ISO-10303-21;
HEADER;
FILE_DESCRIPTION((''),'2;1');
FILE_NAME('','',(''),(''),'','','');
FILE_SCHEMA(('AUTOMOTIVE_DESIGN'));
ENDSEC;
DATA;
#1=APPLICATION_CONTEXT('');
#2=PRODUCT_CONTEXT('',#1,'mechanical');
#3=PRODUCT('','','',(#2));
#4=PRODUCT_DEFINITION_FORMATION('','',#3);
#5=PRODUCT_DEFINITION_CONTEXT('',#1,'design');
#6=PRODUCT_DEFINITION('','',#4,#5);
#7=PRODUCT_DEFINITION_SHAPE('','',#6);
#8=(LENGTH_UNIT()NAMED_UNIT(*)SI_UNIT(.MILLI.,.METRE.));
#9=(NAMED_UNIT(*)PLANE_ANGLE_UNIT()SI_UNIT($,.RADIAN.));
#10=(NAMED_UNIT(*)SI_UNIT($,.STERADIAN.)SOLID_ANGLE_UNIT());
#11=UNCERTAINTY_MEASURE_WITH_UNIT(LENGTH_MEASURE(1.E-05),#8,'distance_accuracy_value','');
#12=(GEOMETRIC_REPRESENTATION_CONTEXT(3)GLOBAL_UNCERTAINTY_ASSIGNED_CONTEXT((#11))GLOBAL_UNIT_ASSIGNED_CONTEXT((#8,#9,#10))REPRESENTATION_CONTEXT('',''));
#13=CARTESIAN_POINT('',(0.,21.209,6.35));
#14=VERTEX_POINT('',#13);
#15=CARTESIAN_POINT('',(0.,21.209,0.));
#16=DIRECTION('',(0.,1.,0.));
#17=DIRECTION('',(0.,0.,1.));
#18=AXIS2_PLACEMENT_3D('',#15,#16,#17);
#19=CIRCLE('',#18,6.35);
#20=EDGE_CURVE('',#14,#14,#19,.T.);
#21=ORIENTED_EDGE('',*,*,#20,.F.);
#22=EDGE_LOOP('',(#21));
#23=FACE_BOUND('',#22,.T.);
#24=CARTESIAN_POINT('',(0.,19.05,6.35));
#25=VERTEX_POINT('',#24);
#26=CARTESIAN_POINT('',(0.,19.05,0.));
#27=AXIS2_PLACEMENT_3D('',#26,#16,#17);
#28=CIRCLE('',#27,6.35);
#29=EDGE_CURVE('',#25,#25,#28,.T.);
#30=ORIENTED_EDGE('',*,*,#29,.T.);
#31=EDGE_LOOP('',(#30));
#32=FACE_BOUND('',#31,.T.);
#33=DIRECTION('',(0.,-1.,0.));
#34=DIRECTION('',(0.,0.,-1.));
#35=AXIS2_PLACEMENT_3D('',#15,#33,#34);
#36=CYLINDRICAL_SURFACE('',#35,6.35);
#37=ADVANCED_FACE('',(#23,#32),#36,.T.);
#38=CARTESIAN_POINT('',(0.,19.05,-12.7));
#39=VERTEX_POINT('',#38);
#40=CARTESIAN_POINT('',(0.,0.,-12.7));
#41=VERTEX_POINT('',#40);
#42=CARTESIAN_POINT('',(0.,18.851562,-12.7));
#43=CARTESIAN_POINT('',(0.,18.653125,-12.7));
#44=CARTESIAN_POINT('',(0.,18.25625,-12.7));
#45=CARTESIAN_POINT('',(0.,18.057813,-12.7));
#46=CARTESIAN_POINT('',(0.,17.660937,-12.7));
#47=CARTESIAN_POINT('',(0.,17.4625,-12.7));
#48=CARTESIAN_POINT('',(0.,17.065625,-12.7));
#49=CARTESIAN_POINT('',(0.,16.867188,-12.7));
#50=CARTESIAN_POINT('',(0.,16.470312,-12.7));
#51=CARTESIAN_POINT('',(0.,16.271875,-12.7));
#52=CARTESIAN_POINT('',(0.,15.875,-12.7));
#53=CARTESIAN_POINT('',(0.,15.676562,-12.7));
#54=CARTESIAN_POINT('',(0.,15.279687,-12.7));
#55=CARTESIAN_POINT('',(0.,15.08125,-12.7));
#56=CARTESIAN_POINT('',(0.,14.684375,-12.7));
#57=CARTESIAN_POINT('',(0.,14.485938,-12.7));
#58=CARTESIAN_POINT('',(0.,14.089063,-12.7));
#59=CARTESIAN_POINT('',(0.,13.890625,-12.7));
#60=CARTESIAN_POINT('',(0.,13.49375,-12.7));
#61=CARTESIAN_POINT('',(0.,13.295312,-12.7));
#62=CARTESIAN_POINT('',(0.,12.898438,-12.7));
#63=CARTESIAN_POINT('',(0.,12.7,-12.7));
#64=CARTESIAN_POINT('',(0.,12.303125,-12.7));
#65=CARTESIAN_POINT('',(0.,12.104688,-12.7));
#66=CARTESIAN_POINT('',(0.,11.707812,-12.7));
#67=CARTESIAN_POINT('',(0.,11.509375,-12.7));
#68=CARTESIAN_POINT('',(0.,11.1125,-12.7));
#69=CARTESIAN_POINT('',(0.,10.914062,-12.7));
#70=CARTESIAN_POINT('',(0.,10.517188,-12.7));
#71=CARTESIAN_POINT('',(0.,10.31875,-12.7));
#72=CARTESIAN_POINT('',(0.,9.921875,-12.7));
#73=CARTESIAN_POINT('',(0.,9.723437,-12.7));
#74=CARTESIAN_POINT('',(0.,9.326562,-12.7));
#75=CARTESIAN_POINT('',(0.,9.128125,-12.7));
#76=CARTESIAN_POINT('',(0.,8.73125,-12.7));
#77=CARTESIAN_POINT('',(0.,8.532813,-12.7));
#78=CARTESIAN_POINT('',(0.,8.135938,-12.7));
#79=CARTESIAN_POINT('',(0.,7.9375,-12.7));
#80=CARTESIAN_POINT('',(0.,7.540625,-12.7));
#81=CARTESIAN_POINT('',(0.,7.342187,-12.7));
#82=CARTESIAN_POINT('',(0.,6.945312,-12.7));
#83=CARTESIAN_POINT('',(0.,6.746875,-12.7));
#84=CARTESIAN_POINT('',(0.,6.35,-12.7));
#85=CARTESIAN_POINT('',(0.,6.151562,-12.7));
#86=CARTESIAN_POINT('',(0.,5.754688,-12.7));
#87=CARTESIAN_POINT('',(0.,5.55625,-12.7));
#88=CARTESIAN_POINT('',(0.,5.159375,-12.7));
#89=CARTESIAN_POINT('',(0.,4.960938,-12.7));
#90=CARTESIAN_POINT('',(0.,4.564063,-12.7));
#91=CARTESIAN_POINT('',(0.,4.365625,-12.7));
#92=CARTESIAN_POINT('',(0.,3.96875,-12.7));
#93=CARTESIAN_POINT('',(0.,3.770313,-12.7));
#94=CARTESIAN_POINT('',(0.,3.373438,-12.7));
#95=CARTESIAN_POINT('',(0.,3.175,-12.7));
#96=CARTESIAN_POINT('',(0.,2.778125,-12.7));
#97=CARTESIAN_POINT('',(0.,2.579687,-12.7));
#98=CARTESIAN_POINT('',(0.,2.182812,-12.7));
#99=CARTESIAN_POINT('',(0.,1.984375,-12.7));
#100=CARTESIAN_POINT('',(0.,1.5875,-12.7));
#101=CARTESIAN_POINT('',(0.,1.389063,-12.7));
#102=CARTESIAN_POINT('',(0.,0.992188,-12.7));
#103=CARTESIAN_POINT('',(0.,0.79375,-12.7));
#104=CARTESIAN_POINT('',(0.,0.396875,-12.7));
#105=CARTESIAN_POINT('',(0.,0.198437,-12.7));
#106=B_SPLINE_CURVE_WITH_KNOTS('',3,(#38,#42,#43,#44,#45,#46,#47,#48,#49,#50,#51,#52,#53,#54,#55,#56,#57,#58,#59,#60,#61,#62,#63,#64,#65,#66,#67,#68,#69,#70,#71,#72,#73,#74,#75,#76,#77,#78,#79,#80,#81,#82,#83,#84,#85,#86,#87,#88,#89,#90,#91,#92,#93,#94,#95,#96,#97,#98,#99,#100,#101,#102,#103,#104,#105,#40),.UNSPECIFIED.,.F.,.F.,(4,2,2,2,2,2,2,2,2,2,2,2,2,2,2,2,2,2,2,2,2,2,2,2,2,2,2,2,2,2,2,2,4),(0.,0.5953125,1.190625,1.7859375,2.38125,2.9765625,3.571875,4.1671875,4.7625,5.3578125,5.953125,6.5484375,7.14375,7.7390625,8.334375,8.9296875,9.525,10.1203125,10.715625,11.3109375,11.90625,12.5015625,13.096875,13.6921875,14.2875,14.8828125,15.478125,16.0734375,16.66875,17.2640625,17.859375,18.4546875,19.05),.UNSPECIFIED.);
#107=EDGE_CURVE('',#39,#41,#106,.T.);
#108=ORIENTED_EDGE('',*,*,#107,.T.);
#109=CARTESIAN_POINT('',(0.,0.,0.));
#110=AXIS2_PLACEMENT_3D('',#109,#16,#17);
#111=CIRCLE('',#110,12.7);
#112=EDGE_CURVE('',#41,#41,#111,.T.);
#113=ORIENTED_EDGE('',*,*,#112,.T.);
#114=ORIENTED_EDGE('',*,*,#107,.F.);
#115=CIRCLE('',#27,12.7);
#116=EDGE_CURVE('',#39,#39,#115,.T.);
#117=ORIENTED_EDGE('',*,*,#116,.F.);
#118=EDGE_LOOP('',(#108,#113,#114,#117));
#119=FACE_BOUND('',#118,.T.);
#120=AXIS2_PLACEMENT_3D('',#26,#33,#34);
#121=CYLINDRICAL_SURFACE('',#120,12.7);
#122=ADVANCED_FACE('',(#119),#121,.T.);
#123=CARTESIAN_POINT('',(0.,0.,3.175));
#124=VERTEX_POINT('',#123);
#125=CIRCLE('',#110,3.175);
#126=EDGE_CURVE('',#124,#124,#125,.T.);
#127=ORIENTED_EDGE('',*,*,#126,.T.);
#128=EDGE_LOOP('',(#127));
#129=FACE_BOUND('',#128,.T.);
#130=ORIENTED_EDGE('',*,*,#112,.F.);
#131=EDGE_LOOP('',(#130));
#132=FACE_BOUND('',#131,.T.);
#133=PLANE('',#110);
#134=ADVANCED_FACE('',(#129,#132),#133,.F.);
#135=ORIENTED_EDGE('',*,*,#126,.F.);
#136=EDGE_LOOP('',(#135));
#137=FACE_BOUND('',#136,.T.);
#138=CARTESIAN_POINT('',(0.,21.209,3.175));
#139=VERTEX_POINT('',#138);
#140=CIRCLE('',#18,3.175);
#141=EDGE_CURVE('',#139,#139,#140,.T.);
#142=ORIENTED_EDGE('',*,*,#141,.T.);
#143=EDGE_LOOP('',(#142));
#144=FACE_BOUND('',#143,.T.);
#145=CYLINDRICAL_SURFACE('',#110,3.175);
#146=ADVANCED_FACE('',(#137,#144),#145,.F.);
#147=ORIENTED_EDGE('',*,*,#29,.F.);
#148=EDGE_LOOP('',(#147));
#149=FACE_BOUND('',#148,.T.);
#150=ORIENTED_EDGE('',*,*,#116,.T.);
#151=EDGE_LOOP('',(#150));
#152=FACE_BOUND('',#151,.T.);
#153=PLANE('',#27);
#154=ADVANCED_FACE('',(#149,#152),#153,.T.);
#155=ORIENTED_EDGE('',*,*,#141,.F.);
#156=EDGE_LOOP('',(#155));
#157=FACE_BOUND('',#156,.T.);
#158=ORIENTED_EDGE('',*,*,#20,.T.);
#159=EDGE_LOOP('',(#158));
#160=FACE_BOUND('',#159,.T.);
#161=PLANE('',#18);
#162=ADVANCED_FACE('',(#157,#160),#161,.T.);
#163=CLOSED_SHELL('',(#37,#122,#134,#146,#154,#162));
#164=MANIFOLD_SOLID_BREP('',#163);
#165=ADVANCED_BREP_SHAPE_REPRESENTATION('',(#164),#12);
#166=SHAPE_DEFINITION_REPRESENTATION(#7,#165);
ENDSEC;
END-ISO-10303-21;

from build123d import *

# Parameters (mm, degrees)
SKETCH1_R           = 12.7
BOSS_EXTRUDE1_DEPTH = 19.05
SKETCH2_R           = 6.35
BOSS_EXTRUDE2_DEPTH = 2.159
SKETCH4_R           = 3.175
CUT_EXTRUDE4_DEPTH  = 28.792115447


with BuildPart() as part:
    # Sketch1 → Boss-Extrude1 (new body)
    with BuildSketch(Plane(origin=(0, 0, 0), x_dir=(1, 0, 0), z_dir=(0, 1, 0))):
        with Locations(Location((0, 0, 0), (0, 0, 90))):
            Circle(SKETCH1_R)
    extrude(amount=BOSS_EXTRUDE1_DEPTH)

    # Sketch2 → Boss-Extrude2 (add)
    with BuildSketch(Plane(origin=(0, 19.05, 0), x_dir=(1, 0, 0), z_dir=(0, 1, 0))):
        with Locations(Location((0, 0, 0), (0, 0, 270))):
            Circle(SKETCH2_R)
    extrude(amount=BOSS_EXTRUDE2_DEPTH)

    # Sketch4 → Cut-Extrude4 (cut, through all)
    with BuildSketch(Plane(origin=(0, 21.209, 0), x_dir=(1, 0, 0), z_dir=(0, 1, 0))):
        with Locations(Location((0, 0, 0), (0, 0, 270))):
            Circle(SKETCH4_R)
    extrude(amount=-CUT_EXTRUDE4_DEPTH, mode=Mode.SUBTRACT)


solid = part.part
